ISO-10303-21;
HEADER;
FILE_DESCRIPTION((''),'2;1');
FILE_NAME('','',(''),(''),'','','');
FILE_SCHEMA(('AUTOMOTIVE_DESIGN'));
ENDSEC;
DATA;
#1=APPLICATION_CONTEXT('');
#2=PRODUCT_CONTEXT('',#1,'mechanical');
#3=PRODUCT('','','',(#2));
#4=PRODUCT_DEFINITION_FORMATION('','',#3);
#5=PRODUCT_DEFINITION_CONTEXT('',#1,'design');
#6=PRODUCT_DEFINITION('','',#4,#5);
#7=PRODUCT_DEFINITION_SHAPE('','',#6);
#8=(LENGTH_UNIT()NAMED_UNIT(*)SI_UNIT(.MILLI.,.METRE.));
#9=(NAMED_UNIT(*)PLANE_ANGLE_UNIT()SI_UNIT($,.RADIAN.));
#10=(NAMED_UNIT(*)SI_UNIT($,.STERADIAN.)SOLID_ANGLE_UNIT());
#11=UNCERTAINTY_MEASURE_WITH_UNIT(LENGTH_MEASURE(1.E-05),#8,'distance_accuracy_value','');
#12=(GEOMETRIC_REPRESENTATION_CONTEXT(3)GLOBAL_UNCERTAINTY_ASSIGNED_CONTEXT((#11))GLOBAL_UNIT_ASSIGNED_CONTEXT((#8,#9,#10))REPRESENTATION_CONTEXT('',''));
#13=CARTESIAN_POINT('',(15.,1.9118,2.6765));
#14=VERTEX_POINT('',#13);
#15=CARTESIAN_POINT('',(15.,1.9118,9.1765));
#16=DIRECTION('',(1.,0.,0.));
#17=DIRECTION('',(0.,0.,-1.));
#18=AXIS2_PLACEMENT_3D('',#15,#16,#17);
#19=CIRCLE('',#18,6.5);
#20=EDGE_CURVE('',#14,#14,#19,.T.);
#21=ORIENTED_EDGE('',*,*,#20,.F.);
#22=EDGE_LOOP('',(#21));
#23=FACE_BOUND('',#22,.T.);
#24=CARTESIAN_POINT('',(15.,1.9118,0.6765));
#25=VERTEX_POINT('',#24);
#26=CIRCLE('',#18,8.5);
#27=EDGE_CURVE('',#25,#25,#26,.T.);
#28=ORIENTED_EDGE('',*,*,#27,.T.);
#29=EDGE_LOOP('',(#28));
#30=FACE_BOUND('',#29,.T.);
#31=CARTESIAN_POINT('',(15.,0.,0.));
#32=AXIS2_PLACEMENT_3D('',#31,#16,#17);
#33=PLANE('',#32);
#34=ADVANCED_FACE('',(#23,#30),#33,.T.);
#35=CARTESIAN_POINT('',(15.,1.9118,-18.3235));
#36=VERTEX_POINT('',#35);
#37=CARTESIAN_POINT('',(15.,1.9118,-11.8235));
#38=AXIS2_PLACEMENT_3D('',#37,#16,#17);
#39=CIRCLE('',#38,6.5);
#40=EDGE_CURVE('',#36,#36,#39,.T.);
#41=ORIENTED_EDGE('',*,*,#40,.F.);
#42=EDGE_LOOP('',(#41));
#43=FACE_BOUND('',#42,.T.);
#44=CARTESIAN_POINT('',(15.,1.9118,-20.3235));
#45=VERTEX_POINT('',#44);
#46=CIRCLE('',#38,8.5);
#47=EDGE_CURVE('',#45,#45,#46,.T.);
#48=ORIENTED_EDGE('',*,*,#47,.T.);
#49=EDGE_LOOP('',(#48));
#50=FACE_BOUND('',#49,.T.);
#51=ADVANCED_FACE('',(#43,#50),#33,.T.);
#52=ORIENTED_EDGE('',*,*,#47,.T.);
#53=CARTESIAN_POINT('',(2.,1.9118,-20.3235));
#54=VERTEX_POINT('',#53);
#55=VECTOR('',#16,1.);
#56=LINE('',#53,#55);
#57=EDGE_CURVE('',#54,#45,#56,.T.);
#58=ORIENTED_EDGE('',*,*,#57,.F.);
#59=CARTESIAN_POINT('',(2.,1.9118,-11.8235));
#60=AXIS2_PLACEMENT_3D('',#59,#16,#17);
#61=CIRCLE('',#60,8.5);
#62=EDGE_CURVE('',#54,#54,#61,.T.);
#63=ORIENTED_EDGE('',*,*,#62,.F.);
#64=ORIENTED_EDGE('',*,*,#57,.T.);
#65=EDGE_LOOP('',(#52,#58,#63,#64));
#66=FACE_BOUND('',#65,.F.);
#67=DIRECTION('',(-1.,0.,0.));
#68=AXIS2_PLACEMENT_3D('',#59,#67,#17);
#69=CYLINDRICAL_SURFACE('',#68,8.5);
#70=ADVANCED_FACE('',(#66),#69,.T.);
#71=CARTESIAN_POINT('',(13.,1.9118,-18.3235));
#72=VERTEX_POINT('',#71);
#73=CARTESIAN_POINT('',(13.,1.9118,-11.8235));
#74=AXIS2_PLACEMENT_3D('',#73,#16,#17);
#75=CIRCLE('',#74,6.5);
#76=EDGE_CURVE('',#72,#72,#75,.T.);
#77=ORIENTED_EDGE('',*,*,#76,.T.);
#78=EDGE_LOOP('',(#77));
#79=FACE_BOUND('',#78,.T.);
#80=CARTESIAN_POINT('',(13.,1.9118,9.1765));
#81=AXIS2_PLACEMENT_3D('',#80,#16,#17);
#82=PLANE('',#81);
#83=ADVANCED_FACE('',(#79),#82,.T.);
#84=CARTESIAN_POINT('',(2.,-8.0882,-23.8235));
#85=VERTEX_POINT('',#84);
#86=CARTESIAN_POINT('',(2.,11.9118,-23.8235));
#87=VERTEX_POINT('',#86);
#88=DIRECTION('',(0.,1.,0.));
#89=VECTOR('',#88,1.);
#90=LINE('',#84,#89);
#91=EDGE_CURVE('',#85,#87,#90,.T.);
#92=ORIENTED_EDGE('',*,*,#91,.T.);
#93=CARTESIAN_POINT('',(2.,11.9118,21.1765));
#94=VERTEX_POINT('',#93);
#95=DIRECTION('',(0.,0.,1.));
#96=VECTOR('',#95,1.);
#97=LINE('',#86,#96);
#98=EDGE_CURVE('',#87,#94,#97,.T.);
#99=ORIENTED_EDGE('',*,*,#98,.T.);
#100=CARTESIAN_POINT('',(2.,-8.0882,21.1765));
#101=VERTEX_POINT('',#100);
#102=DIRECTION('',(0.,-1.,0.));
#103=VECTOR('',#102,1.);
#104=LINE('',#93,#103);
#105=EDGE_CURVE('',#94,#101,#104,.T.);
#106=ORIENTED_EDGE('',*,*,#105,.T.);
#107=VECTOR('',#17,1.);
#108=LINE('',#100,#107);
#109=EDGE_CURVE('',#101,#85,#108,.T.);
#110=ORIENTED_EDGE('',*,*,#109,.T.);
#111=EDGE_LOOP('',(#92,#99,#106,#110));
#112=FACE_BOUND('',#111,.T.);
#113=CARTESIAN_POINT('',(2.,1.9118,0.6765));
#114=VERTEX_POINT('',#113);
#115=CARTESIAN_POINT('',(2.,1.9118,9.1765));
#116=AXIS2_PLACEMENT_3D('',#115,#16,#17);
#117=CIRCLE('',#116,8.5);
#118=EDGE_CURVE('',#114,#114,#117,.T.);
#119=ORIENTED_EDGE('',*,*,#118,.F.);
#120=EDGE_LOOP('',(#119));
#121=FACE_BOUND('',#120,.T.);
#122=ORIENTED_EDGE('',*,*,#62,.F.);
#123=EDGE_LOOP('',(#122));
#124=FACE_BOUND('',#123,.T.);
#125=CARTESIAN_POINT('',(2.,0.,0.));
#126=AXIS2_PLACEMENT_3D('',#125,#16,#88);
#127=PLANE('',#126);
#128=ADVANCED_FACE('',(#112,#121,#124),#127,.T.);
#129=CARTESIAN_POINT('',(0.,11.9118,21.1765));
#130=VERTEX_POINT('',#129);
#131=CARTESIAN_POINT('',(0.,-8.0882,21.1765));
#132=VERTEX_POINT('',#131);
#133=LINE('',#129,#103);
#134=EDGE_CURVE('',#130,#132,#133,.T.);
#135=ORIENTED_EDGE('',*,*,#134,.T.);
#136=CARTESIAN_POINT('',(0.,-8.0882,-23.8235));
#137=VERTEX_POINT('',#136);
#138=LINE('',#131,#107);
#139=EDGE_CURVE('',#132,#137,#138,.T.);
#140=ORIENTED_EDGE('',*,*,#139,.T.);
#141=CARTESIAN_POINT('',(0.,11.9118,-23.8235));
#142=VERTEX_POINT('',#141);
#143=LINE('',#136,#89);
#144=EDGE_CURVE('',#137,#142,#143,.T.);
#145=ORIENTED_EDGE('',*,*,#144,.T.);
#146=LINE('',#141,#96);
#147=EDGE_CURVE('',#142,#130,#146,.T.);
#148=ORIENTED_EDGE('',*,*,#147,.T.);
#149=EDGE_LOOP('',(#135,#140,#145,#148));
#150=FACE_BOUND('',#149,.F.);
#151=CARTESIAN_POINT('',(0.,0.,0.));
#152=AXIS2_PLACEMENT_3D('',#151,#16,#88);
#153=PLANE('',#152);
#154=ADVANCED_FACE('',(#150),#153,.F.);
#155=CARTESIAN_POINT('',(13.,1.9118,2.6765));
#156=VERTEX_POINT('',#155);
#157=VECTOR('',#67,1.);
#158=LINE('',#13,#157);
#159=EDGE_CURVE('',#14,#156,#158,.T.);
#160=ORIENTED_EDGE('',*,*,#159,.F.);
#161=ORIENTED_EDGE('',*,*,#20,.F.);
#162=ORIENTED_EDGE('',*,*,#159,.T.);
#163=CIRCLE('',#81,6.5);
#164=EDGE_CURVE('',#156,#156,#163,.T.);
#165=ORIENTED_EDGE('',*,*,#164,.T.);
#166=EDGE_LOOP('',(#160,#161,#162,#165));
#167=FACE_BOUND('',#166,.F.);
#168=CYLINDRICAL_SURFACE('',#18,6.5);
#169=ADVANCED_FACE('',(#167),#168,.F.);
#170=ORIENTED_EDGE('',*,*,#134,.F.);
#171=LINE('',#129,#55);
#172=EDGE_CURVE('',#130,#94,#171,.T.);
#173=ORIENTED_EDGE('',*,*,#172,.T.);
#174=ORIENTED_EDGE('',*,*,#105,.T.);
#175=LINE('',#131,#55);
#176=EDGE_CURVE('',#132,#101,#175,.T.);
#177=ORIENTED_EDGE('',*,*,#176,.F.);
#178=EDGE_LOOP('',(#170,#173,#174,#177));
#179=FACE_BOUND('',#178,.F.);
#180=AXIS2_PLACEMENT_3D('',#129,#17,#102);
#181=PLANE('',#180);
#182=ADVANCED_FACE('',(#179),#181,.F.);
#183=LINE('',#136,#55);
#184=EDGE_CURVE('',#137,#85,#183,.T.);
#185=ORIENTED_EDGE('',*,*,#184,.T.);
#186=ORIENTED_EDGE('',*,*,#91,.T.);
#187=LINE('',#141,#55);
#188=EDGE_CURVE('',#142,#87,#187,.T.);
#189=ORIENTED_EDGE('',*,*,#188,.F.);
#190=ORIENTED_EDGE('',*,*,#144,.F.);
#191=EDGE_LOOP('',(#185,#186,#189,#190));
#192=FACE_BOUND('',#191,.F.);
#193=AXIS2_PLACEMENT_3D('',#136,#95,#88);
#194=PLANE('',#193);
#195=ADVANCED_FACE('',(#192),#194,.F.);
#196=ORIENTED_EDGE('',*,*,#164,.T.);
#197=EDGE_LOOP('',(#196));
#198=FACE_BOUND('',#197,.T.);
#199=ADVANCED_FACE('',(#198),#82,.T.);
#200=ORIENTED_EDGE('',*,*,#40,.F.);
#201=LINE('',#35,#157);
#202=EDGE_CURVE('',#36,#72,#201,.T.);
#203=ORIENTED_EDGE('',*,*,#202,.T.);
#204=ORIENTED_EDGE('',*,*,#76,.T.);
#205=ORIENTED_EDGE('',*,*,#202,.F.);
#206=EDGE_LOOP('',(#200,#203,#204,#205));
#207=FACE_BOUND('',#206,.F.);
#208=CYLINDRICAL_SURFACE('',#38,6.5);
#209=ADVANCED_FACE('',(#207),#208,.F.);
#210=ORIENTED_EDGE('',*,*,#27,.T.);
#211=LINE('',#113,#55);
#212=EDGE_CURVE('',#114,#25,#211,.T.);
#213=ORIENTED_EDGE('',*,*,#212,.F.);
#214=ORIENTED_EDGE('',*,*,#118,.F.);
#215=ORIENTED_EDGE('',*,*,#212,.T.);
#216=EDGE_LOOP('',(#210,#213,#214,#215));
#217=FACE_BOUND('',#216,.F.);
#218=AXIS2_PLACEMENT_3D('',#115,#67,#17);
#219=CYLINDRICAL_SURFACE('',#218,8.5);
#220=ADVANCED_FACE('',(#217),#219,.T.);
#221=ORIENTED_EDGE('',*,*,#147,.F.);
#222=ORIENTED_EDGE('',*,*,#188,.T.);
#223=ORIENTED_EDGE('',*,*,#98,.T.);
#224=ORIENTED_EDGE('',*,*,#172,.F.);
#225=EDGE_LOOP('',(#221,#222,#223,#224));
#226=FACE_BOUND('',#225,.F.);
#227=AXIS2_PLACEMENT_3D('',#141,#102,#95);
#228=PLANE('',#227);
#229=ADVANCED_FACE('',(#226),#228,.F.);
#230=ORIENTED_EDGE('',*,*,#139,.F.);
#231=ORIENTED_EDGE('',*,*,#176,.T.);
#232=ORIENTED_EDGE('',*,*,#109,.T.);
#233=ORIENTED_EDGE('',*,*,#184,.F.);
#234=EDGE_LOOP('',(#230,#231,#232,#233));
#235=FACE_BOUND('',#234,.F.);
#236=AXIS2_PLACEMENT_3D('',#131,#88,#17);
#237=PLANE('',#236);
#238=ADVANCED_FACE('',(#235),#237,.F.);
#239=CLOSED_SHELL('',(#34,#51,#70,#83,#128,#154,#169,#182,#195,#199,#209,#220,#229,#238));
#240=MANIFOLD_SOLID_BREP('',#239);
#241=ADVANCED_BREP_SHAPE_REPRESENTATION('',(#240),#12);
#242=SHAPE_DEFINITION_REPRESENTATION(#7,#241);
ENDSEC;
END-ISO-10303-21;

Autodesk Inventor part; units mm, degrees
ref_plane "YZ Plane" through (0, 0, 0) normal (1, 0, 0) x (0, 1, 0)
ref_plane "XZ Plane" through (0, 0, 0) normal (0, 1, 0) x (-1, 0, 0)
ref_plane "XY Plane" through (0, 0, 0) normal (0, 0, 1) x (1, 0, 0)
sketch "Sketch1" plane through (0, 0, 0) normal (1, 0, 0) x (0, 1, 0)
  line L0 (11.9118, 21.1765) -> (-8.0882, 21.1765)
  line L1 (-8.0882, 21.1765) -> (-8.0882, -23.8235)
  line L2 (-8.0882, -23.8235) -> (11.9118, -23.8235)
  line L3 (11.9118, -23.8235) -> (11.9118, 21.1765)
  point P0 (0, 0)
  dimension "d0" = 45
  dimension "d1" = 20
extrude "Extrusion1" add sketch "Sketch1" along normal blind 2
sketch "Sketch2" plane through (2, 0, 0) normal (1, 0, 0) x (0, 0, -1)
  circle A0 centre (-9.1765, 1.9118) radius 8.5
  circle A1 centre (11.8235, 1.9118) radius 8.5
  line L0 (23.8235, 11.9118) -> (-21.1765, 11.9118) projected
  line L1 (-21.1765, 11.9118) -> (-21.1765, -8.0882) projected
  line L2 (23.8235, -8.0882) -> (23.8235, 11.9118) projected
  point P0 (0, 0)
  dimension "d4" = 17
  dimension "d5" = 10
  dimension "d6" = 10
  dimension "d7" = 12
  dimension "d8" = 12
extrude "Extrusion2" add sketch "Sketch2" along normal blind 13
sketch "Sketch3" plane through (15, 1.9118, 9.1765) normal (1, 0, 0) x (0, 0, -1)
  circle A0 centre (0, 0) radius 6.5
  circle A1 centre (21, 0) radius 6.5
  circle A2 centre (21, 0) radius 8.5 projected
  circle A3 centre (0, 0) radius 8.5 projected
  point P0 (9.1765, -1.9118)
  dimension "d11" = 13
extrude "Extrusion3" cut sketch "Sketch3" against normal blind 2 contours A0 | A1
equation "\"d6\" = d5"
equation "\"d8\" = d7"
properties part number "Sonar"
